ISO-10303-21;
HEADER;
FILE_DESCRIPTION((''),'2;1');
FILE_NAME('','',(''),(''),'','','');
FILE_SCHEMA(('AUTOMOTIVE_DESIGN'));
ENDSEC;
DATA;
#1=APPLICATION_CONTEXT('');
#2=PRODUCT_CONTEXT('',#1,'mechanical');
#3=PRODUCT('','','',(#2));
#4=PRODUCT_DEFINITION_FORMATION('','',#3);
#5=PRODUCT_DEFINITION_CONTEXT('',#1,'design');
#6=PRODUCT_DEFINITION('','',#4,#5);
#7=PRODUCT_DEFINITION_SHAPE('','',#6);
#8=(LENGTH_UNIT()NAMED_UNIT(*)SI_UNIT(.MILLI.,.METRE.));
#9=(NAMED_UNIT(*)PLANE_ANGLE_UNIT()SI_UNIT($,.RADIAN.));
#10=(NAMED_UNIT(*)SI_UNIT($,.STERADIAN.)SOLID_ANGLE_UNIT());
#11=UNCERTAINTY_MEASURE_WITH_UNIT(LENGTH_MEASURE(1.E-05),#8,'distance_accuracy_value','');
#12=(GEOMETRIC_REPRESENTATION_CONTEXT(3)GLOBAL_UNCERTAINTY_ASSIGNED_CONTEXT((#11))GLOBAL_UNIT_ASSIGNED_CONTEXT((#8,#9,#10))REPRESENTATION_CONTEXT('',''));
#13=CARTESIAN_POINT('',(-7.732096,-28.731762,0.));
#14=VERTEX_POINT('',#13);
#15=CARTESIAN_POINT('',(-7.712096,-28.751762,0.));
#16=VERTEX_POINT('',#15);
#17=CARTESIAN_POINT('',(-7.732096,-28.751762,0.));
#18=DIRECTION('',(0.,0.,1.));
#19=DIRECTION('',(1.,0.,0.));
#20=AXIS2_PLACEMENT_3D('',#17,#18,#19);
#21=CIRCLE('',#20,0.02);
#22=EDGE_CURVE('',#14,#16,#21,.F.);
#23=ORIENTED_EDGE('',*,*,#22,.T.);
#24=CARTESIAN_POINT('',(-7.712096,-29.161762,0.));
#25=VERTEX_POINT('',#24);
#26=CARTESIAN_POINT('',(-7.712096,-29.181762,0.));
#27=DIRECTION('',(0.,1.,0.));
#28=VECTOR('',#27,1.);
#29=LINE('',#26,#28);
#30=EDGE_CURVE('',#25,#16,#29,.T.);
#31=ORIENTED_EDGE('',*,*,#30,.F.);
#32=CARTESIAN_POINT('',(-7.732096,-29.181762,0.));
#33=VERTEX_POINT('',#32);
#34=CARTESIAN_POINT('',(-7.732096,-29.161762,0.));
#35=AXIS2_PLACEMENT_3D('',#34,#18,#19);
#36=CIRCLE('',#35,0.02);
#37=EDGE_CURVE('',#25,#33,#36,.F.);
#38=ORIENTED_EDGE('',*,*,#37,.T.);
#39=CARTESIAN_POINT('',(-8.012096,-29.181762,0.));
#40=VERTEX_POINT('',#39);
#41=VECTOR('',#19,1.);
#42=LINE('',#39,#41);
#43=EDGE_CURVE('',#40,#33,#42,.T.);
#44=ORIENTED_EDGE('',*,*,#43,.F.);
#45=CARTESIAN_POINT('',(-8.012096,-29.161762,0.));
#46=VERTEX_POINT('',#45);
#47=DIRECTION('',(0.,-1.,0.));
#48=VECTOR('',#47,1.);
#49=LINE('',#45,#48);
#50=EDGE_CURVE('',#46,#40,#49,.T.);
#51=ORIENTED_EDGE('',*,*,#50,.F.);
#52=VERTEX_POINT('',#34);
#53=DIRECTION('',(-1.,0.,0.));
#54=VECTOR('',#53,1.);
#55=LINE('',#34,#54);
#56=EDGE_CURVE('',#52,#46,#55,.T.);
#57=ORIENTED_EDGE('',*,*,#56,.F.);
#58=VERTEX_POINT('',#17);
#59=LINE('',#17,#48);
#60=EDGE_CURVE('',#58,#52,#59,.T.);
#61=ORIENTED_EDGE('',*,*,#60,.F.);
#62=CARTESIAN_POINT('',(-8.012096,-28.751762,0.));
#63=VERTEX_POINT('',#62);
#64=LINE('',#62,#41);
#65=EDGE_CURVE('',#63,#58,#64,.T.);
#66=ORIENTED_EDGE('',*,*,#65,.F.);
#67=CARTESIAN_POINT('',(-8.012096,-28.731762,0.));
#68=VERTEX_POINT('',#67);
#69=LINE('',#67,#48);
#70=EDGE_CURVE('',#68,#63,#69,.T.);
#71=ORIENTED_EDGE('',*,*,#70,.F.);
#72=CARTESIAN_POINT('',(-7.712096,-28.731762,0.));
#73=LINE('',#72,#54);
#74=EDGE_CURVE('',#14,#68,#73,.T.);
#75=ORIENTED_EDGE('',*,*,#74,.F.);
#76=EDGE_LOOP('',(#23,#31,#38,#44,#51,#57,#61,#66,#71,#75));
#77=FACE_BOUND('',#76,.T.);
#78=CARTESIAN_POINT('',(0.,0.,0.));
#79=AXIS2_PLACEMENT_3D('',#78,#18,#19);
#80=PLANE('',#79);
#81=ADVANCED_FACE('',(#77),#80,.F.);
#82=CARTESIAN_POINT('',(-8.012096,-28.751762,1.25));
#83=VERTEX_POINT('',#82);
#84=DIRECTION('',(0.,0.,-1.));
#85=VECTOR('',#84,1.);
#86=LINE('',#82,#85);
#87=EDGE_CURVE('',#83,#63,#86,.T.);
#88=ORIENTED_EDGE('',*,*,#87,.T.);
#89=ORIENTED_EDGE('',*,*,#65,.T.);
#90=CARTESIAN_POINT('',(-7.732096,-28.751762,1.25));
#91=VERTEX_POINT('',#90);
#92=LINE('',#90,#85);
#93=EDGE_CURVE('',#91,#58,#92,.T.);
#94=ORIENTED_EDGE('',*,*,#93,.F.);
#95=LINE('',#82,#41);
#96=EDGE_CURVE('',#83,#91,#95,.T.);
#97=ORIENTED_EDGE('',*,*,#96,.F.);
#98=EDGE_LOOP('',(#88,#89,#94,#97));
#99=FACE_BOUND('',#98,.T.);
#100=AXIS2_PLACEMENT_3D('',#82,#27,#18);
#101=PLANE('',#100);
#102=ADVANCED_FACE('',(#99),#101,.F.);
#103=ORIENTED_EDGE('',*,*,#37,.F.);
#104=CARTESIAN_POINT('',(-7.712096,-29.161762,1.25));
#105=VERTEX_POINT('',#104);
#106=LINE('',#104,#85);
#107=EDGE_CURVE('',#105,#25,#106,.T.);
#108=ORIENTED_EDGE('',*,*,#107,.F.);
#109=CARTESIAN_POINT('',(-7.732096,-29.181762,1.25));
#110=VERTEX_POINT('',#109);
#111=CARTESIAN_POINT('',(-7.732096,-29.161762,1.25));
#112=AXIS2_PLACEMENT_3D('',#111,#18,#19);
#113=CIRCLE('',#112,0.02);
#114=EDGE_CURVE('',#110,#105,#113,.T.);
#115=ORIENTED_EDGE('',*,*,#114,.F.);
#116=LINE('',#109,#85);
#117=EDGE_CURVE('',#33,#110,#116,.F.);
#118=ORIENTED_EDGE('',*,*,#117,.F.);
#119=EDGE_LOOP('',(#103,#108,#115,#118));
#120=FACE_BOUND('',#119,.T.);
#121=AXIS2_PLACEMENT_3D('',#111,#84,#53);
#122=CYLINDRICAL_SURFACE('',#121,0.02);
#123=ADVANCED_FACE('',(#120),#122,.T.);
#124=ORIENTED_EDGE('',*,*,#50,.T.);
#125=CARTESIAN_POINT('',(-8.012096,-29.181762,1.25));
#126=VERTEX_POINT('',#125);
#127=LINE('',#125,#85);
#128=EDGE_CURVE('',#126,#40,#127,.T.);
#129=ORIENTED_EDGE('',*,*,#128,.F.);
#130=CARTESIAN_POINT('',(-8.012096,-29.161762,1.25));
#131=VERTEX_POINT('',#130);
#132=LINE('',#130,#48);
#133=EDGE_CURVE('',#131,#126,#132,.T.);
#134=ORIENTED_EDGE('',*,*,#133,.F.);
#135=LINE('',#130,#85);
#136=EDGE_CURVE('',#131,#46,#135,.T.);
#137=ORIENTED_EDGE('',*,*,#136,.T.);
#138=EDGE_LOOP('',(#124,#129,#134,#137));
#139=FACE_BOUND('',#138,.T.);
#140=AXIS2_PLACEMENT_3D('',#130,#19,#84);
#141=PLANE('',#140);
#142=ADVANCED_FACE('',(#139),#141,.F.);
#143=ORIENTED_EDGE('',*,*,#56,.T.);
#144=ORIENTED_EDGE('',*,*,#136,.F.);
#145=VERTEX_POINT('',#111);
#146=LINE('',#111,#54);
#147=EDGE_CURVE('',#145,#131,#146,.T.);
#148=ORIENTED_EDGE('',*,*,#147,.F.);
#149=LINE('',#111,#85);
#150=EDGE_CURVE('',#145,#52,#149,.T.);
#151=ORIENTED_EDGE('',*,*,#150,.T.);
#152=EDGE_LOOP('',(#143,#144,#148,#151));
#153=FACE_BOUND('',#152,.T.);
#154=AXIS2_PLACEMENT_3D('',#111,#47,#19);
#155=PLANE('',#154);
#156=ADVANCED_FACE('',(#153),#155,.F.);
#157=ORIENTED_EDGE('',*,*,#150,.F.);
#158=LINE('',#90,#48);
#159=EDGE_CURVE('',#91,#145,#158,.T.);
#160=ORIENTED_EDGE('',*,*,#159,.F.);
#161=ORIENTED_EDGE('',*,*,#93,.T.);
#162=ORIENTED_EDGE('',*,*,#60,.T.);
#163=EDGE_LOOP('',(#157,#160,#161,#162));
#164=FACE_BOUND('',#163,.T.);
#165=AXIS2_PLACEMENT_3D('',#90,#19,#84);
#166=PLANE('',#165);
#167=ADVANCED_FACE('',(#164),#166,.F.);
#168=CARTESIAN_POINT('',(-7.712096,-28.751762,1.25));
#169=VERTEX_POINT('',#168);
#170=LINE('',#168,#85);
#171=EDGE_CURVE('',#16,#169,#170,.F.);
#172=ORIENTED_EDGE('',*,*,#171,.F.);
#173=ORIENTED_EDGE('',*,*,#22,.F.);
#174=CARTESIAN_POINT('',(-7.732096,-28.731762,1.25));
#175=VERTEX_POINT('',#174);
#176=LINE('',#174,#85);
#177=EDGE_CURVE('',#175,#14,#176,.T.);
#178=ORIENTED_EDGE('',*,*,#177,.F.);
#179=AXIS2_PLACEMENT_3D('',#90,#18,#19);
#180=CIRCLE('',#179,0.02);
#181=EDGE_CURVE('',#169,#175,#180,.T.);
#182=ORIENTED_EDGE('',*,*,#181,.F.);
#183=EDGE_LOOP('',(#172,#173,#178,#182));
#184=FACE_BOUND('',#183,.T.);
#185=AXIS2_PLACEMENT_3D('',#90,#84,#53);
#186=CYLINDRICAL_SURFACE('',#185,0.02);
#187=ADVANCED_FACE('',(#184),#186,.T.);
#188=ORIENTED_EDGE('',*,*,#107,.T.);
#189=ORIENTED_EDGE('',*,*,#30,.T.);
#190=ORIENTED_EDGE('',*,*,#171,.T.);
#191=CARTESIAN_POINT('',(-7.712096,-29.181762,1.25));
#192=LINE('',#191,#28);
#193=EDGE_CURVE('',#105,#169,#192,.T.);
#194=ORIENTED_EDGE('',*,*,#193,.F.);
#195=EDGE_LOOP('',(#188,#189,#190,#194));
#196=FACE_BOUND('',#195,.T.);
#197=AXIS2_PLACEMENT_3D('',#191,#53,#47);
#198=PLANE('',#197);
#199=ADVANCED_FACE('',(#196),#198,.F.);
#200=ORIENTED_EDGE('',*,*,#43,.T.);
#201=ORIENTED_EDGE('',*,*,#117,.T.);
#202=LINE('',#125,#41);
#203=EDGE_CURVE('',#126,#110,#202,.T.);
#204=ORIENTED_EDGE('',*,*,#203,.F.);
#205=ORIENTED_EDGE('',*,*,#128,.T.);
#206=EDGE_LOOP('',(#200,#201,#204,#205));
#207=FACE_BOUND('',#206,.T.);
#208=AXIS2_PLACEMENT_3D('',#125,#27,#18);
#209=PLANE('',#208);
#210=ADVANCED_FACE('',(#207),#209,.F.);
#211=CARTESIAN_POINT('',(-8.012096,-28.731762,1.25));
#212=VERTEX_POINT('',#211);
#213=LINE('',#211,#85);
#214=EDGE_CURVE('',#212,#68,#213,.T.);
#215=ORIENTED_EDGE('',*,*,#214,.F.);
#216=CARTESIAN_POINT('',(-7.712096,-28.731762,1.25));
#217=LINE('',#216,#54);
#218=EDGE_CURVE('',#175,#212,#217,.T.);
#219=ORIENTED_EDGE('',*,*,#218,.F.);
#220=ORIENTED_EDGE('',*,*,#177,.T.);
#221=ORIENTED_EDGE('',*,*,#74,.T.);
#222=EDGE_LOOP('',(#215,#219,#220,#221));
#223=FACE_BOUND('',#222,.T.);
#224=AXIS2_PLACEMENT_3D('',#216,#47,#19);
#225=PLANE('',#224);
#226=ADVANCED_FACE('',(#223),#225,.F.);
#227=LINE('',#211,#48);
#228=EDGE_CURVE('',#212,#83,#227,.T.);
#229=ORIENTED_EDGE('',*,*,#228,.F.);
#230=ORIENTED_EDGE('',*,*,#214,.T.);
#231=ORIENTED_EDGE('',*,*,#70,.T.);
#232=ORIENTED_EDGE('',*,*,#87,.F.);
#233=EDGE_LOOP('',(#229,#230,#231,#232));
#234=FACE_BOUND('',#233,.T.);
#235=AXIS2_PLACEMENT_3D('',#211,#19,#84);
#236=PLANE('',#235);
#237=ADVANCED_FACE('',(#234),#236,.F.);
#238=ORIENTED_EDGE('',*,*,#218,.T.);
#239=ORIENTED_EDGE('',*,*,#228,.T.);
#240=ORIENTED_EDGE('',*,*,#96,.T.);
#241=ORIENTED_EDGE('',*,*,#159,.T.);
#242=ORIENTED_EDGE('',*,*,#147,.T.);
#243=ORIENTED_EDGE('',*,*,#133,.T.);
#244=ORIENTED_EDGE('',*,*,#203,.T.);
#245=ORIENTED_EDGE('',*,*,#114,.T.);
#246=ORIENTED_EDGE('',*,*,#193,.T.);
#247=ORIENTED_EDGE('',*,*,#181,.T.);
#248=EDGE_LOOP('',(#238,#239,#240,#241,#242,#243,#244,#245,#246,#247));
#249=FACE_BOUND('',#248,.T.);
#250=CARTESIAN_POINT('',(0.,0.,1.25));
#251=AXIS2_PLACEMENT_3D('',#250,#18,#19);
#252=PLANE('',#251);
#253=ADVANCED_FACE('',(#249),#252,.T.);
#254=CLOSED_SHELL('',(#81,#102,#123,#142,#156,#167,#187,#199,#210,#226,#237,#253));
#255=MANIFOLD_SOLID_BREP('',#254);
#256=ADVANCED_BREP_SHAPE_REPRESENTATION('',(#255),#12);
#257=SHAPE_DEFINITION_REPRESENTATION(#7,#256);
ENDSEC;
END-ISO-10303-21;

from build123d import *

# Parameters (mm, degrees)
RESSALTO_EXTRUS_O1_DEPTH = 1.25
FILETE1_R                = 0.02
FILETE2_R                = 0.02


with BuildPart() as part:
    # Esboço1 → Ressalto-extrusão1 (new body)
    with BuildSketch(Plane.XY):
        Polygon((-8.012095627, -28.751761562), (-7.732095627, -28.751761562), (-7.732095627, -29.161761562), (-8.012095627, -29.161761562), (-8.012095627, -29.181761562), (-7.712095627, -29.181761562), (-7.712095627, -28.731761562), (-8.012095627, -28.731761562), align=None)
    extrude(amount=RESSALTO_EXTRUS_O1_DEPTH)

    # Filete1
    filete1_edges = [part.edges().sort_by_distance(p)[0] for p in [
        (-7.712095627, -28.731761562, 0.625),
    ]]
    fillet(filete1_edges, radius=FILETE1_R)

    # Filete2
    filete2_edges = [part.edges().sort_by_distance(p)[0] for p in [
        (-7.712095627, -29.181761562, 0.625),
    ]]
    fillet(filete2_edges, radius=FILETE2_R)


solid = part.part
